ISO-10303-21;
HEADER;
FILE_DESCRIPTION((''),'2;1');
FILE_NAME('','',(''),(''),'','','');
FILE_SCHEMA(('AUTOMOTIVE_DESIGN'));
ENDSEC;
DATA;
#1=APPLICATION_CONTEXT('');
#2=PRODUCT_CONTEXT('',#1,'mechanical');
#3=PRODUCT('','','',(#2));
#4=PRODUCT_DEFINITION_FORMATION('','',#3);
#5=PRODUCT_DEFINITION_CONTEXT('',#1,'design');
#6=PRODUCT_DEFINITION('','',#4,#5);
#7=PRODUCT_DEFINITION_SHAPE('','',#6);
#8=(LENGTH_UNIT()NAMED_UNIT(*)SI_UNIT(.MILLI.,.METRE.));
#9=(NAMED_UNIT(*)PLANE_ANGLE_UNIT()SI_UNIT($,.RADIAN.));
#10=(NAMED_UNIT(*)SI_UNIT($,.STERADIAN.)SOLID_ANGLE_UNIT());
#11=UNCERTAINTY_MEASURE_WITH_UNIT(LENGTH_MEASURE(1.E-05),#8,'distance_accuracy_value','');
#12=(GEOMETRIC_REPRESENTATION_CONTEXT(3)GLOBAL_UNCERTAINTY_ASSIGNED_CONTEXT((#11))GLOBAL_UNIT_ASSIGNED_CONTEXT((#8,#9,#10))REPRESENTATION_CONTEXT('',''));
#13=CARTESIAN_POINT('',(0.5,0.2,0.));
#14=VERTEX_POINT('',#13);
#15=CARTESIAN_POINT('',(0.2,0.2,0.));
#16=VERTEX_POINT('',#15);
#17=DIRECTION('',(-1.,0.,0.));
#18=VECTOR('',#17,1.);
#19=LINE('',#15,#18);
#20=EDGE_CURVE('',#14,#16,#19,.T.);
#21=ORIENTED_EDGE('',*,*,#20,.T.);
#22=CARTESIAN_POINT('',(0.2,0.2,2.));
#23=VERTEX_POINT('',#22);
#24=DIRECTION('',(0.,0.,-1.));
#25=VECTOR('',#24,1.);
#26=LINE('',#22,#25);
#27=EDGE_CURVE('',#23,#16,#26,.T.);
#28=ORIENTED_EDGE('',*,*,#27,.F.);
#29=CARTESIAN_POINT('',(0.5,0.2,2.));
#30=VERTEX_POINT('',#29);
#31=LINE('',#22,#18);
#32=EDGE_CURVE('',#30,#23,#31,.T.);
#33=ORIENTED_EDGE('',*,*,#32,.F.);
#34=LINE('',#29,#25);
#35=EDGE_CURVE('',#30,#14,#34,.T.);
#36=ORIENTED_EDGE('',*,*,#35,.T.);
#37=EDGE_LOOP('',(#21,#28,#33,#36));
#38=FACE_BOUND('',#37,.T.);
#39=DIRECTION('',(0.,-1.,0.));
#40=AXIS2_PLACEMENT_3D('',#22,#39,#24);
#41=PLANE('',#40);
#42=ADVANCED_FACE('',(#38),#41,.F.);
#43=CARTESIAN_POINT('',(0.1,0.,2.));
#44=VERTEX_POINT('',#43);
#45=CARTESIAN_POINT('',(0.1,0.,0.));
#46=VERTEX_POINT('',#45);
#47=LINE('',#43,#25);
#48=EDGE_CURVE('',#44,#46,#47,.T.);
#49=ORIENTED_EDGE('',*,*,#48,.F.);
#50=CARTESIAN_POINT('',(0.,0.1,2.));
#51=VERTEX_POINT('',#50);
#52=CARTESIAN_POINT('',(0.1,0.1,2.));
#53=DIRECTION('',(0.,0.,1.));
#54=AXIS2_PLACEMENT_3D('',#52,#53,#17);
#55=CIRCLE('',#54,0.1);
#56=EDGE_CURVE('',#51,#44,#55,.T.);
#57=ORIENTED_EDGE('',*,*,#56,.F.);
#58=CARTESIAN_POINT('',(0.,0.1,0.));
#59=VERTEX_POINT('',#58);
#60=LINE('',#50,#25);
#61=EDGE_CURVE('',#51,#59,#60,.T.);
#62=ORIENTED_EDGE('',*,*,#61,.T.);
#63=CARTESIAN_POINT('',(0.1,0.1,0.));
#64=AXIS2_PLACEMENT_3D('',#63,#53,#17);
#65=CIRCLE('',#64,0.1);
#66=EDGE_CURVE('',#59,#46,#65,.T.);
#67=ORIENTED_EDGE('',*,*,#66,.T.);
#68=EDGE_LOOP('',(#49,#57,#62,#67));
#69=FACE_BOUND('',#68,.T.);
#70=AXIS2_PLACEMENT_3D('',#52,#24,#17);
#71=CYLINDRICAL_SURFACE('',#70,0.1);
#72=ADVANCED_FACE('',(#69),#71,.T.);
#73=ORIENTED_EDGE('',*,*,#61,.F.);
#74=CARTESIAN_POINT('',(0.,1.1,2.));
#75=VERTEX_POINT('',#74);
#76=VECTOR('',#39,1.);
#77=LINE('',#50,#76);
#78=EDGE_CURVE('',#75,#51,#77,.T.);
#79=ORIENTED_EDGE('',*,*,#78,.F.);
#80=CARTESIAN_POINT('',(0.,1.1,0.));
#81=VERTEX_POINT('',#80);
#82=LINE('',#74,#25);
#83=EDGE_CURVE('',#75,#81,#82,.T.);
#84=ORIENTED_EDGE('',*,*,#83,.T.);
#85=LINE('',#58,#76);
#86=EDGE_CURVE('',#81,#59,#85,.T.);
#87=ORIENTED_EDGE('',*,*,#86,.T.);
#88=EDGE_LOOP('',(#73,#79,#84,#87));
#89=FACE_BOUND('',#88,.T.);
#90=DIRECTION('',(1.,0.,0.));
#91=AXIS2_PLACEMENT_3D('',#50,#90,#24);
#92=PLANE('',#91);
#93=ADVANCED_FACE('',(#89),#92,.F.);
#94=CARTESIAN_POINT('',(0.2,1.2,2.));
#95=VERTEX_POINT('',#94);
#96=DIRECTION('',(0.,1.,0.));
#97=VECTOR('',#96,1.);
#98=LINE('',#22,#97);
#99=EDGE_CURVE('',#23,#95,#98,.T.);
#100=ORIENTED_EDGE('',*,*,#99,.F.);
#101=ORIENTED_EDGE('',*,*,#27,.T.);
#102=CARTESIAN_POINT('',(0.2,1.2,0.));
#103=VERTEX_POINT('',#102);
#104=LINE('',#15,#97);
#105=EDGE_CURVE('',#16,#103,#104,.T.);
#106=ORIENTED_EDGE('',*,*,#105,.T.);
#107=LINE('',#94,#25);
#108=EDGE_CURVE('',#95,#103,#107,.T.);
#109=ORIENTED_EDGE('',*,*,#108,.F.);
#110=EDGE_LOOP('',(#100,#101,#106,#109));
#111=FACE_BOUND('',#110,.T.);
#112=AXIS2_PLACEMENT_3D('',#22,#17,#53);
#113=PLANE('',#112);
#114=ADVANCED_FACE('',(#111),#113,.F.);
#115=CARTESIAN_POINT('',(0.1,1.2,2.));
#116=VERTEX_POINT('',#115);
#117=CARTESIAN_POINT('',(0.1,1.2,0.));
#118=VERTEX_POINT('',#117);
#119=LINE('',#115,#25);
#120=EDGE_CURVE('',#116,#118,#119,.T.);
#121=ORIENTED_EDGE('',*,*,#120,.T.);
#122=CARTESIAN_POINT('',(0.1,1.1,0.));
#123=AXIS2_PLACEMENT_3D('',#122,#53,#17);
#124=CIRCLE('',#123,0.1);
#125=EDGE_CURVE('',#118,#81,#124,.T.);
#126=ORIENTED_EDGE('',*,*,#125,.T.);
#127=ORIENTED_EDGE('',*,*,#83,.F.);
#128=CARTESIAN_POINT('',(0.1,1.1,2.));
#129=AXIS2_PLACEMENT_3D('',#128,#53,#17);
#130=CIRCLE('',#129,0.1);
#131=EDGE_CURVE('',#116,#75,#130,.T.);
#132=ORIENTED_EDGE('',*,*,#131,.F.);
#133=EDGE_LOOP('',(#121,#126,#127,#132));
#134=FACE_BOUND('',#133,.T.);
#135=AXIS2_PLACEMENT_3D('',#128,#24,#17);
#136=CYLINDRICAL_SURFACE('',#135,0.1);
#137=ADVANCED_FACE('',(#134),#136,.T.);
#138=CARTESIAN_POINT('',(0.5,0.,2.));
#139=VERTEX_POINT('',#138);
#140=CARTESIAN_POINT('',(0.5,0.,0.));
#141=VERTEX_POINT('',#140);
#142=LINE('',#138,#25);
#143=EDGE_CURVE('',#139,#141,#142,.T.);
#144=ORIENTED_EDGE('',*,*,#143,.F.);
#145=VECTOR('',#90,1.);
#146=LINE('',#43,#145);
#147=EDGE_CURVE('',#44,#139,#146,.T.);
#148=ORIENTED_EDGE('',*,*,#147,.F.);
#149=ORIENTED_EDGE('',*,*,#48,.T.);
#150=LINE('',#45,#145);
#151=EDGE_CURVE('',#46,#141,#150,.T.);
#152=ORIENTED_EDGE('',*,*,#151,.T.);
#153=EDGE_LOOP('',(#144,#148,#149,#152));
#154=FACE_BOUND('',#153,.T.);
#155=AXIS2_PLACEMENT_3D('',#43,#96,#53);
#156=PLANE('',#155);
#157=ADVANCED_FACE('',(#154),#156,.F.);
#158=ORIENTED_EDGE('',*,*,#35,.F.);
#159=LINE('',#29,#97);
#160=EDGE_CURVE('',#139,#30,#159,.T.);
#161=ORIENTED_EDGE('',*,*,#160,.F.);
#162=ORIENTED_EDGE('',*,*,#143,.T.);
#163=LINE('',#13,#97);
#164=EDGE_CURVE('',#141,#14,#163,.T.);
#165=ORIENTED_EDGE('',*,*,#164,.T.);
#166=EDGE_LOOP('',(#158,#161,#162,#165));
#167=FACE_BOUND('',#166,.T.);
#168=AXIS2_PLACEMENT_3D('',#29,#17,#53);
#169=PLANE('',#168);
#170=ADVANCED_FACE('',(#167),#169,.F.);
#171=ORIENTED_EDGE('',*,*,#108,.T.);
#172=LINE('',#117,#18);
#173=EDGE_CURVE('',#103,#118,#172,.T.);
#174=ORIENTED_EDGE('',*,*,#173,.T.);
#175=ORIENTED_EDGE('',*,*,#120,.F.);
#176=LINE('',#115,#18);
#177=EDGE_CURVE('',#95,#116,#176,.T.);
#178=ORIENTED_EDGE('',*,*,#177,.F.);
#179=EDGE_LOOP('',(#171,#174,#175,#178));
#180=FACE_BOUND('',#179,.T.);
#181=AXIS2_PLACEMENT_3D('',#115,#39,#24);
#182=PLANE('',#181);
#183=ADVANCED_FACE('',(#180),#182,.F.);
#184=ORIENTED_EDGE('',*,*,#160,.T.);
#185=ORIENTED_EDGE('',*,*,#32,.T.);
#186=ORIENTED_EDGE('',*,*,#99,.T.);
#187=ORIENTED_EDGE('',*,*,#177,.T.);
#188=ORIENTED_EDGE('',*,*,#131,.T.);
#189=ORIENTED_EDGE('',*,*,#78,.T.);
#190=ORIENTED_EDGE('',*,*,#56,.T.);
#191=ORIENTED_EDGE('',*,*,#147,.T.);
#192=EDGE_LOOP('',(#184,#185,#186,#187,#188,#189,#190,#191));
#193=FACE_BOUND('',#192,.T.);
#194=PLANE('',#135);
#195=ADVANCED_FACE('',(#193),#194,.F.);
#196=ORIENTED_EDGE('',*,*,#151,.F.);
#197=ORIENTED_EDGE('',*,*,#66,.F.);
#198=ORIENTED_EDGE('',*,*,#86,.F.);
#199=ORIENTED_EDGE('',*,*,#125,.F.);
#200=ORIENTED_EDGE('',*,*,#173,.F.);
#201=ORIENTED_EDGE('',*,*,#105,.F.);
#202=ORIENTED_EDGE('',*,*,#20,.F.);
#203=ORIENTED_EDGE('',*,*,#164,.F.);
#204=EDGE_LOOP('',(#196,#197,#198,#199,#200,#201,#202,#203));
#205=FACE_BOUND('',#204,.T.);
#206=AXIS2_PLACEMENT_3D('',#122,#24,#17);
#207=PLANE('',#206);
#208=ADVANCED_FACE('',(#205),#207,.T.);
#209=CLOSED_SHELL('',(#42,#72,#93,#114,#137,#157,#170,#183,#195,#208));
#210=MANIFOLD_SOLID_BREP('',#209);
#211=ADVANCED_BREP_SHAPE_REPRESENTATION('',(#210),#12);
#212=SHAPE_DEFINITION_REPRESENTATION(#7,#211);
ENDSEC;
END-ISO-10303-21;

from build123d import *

# Parameters (mm, degrees)
EXTRUSION1_DEPTH = 2


with BuildPart() as part:
    # Esquisse1 → Extrusion1 (new body)
    with BuildSketch(Plane.XY):
        with BuildLine():
            Line((0, 0.1), (0, 1.1))
            ThreePointArc((0, 1.1), (0.029289322, 1.170710678), (0.1, 1.2))
            Line((0.1, 1.2), (0.2, 1.2))
            Line((0.2, 1.2), (0.2, 0.2))
            Line((0.2, 0.2), (0.5, 0.2))
            Line((0.5, 0.2), (0.5, 0))
            Line((0.5, 0), (0.1, 0))
            ThreePointArc((0.1, 0), (0.029289322, 0.029289322), (0, 0.1))
        make_face()
    extrude(amount=EXTRUSION1_DEPTH)


solid = part.part
